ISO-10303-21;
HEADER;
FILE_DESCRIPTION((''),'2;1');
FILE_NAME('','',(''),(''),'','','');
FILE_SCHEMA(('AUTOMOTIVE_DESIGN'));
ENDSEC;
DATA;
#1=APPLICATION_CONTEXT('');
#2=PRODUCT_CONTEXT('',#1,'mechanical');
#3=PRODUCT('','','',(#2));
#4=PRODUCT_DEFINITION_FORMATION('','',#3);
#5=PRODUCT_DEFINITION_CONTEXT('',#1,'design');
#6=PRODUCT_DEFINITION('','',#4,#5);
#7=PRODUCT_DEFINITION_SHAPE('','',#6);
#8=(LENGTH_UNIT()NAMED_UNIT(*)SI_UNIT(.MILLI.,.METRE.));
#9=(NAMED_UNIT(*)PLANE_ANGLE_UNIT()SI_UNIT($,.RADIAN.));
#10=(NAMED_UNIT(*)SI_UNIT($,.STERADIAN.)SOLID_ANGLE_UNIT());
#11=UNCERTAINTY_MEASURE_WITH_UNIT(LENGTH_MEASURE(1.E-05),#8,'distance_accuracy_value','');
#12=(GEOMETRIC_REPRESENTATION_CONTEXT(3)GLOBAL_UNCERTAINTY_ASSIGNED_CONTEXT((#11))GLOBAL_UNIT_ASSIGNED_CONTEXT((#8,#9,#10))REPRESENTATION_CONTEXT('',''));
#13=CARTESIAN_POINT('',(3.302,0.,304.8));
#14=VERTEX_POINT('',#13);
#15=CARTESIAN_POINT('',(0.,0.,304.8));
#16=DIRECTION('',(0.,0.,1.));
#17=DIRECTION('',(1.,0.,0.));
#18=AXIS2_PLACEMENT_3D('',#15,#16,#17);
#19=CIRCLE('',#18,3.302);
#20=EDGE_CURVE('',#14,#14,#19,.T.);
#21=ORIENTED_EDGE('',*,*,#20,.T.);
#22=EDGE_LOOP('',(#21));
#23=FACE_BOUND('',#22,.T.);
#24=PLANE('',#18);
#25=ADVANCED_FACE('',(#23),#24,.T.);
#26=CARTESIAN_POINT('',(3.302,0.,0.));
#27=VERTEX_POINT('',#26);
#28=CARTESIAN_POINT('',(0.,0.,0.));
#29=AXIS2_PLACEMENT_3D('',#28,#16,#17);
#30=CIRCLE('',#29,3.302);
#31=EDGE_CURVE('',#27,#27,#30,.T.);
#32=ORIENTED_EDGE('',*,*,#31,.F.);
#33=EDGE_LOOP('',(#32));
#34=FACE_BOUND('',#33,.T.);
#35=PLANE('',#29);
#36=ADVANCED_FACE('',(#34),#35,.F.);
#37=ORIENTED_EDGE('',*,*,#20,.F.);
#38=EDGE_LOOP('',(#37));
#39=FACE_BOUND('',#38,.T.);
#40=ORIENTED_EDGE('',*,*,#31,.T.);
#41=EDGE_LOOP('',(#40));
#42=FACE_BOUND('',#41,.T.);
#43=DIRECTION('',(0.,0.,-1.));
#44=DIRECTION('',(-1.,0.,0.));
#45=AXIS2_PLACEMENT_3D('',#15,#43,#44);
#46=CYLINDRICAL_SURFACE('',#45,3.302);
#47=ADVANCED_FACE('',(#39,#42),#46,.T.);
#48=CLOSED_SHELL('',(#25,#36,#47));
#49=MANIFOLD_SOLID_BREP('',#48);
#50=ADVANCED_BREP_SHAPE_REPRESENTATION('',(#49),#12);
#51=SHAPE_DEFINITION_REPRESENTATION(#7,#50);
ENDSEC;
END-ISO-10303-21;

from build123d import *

# Parameters (mm, degrees)
SKETCH1_R           = 3.302
BOSS_EXTRUDE1_DEPTH = 304.8


with BuildPart() as part:
    # Sketch1 → Boss-Extrude1 (new body)
    with BuildSketch(Plane.XY):
        Circle(SKETCH1_R)
    extrude(amount=BOSS_EXTRUDE1_DEPTH)


solid = part.part
